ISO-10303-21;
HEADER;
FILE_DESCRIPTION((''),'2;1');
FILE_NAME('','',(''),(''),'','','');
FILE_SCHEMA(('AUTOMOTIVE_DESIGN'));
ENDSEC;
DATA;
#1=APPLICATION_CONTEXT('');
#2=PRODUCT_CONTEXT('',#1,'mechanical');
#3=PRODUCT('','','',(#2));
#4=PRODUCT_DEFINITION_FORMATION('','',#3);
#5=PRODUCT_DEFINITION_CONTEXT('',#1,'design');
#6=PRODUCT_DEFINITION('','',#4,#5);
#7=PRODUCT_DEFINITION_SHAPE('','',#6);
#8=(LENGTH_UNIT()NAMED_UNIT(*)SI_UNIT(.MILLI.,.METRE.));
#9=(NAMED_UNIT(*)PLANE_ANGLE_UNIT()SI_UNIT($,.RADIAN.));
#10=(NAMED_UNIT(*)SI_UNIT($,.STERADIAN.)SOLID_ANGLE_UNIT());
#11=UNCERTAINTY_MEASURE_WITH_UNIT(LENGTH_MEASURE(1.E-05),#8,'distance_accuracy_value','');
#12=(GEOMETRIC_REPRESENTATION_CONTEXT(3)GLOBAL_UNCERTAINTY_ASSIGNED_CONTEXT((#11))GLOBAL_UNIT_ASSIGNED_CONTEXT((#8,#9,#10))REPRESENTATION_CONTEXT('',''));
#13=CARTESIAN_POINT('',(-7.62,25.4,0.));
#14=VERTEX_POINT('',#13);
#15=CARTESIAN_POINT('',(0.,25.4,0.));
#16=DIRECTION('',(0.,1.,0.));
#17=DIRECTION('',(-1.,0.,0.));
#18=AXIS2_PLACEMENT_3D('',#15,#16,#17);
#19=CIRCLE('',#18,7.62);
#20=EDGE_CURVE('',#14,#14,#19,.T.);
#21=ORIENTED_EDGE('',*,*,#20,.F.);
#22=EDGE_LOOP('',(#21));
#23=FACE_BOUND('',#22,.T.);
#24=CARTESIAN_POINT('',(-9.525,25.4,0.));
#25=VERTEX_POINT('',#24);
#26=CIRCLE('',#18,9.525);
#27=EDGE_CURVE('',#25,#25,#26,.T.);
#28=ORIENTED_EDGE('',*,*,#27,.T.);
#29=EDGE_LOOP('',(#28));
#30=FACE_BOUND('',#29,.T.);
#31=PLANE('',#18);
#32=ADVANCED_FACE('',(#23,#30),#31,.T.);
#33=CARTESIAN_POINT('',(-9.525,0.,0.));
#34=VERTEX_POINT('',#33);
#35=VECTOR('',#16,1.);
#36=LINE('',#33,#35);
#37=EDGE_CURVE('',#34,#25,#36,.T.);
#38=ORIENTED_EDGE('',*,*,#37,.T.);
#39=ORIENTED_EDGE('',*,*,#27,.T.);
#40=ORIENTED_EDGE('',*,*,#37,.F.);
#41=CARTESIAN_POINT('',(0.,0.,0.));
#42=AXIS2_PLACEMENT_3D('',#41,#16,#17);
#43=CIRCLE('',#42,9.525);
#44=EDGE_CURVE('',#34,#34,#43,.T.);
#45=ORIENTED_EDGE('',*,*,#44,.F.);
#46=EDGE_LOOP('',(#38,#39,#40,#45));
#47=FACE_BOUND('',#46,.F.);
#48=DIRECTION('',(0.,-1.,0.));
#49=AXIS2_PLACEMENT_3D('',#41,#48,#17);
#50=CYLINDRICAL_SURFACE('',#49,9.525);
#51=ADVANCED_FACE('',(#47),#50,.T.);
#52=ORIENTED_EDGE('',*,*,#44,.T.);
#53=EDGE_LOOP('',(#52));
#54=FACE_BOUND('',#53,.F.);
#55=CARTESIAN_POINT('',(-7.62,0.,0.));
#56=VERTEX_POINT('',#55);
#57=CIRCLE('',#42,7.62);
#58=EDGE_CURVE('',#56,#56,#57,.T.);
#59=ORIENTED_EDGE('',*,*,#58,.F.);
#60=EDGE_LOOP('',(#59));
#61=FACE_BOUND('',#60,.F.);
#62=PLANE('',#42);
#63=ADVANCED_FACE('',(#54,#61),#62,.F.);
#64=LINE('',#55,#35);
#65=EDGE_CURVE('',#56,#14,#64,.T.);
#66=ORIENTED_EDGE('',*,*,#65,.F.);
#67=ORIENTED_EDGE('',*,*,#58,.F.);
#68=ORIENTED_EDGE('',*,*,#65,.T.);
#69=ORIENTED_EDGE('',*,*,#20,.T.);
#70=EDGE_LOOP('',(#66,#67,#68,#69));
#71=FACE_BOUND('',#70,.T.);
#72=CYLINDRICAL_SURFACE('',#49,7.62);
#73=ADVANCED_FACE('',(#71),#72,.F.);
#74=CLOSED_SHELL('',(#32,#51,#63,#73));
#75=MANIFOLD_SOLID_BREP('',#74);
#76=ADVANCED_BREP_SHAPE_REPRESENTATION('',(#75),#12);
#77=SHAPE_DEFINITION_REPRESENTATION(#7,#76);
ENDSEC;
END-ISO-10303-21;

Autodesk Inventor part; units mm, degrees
ref_plane "YZ Plane" through (0, 0, 0) normal (1, 0, 0) x (0, 1, 0)
ref_plane "XZ Plane" through (0, 0, 0) normal (0, 1, 0) x (-1, 0, 0)
ref_plane "XY Plane" through (0, 0, 0) normal (0, 0, 1) x (1, 0, 0)
sketch "Sketch2" plane through (0, 0, 0) normal (0, 1, 0) x (-1, 0, 0)
  circle A0 centre (0, 0) radius 7.62
  circle A1 centre (0, 0) radius 9.525
  dimension "d0" = 15.24
  dimension "d1" = 19.05
extrude "Extrusion1" add sketch "Sketch2" along normal blind 25.4
properties part number "ELEV_032_SPACER6" material "ABS Plastic"
